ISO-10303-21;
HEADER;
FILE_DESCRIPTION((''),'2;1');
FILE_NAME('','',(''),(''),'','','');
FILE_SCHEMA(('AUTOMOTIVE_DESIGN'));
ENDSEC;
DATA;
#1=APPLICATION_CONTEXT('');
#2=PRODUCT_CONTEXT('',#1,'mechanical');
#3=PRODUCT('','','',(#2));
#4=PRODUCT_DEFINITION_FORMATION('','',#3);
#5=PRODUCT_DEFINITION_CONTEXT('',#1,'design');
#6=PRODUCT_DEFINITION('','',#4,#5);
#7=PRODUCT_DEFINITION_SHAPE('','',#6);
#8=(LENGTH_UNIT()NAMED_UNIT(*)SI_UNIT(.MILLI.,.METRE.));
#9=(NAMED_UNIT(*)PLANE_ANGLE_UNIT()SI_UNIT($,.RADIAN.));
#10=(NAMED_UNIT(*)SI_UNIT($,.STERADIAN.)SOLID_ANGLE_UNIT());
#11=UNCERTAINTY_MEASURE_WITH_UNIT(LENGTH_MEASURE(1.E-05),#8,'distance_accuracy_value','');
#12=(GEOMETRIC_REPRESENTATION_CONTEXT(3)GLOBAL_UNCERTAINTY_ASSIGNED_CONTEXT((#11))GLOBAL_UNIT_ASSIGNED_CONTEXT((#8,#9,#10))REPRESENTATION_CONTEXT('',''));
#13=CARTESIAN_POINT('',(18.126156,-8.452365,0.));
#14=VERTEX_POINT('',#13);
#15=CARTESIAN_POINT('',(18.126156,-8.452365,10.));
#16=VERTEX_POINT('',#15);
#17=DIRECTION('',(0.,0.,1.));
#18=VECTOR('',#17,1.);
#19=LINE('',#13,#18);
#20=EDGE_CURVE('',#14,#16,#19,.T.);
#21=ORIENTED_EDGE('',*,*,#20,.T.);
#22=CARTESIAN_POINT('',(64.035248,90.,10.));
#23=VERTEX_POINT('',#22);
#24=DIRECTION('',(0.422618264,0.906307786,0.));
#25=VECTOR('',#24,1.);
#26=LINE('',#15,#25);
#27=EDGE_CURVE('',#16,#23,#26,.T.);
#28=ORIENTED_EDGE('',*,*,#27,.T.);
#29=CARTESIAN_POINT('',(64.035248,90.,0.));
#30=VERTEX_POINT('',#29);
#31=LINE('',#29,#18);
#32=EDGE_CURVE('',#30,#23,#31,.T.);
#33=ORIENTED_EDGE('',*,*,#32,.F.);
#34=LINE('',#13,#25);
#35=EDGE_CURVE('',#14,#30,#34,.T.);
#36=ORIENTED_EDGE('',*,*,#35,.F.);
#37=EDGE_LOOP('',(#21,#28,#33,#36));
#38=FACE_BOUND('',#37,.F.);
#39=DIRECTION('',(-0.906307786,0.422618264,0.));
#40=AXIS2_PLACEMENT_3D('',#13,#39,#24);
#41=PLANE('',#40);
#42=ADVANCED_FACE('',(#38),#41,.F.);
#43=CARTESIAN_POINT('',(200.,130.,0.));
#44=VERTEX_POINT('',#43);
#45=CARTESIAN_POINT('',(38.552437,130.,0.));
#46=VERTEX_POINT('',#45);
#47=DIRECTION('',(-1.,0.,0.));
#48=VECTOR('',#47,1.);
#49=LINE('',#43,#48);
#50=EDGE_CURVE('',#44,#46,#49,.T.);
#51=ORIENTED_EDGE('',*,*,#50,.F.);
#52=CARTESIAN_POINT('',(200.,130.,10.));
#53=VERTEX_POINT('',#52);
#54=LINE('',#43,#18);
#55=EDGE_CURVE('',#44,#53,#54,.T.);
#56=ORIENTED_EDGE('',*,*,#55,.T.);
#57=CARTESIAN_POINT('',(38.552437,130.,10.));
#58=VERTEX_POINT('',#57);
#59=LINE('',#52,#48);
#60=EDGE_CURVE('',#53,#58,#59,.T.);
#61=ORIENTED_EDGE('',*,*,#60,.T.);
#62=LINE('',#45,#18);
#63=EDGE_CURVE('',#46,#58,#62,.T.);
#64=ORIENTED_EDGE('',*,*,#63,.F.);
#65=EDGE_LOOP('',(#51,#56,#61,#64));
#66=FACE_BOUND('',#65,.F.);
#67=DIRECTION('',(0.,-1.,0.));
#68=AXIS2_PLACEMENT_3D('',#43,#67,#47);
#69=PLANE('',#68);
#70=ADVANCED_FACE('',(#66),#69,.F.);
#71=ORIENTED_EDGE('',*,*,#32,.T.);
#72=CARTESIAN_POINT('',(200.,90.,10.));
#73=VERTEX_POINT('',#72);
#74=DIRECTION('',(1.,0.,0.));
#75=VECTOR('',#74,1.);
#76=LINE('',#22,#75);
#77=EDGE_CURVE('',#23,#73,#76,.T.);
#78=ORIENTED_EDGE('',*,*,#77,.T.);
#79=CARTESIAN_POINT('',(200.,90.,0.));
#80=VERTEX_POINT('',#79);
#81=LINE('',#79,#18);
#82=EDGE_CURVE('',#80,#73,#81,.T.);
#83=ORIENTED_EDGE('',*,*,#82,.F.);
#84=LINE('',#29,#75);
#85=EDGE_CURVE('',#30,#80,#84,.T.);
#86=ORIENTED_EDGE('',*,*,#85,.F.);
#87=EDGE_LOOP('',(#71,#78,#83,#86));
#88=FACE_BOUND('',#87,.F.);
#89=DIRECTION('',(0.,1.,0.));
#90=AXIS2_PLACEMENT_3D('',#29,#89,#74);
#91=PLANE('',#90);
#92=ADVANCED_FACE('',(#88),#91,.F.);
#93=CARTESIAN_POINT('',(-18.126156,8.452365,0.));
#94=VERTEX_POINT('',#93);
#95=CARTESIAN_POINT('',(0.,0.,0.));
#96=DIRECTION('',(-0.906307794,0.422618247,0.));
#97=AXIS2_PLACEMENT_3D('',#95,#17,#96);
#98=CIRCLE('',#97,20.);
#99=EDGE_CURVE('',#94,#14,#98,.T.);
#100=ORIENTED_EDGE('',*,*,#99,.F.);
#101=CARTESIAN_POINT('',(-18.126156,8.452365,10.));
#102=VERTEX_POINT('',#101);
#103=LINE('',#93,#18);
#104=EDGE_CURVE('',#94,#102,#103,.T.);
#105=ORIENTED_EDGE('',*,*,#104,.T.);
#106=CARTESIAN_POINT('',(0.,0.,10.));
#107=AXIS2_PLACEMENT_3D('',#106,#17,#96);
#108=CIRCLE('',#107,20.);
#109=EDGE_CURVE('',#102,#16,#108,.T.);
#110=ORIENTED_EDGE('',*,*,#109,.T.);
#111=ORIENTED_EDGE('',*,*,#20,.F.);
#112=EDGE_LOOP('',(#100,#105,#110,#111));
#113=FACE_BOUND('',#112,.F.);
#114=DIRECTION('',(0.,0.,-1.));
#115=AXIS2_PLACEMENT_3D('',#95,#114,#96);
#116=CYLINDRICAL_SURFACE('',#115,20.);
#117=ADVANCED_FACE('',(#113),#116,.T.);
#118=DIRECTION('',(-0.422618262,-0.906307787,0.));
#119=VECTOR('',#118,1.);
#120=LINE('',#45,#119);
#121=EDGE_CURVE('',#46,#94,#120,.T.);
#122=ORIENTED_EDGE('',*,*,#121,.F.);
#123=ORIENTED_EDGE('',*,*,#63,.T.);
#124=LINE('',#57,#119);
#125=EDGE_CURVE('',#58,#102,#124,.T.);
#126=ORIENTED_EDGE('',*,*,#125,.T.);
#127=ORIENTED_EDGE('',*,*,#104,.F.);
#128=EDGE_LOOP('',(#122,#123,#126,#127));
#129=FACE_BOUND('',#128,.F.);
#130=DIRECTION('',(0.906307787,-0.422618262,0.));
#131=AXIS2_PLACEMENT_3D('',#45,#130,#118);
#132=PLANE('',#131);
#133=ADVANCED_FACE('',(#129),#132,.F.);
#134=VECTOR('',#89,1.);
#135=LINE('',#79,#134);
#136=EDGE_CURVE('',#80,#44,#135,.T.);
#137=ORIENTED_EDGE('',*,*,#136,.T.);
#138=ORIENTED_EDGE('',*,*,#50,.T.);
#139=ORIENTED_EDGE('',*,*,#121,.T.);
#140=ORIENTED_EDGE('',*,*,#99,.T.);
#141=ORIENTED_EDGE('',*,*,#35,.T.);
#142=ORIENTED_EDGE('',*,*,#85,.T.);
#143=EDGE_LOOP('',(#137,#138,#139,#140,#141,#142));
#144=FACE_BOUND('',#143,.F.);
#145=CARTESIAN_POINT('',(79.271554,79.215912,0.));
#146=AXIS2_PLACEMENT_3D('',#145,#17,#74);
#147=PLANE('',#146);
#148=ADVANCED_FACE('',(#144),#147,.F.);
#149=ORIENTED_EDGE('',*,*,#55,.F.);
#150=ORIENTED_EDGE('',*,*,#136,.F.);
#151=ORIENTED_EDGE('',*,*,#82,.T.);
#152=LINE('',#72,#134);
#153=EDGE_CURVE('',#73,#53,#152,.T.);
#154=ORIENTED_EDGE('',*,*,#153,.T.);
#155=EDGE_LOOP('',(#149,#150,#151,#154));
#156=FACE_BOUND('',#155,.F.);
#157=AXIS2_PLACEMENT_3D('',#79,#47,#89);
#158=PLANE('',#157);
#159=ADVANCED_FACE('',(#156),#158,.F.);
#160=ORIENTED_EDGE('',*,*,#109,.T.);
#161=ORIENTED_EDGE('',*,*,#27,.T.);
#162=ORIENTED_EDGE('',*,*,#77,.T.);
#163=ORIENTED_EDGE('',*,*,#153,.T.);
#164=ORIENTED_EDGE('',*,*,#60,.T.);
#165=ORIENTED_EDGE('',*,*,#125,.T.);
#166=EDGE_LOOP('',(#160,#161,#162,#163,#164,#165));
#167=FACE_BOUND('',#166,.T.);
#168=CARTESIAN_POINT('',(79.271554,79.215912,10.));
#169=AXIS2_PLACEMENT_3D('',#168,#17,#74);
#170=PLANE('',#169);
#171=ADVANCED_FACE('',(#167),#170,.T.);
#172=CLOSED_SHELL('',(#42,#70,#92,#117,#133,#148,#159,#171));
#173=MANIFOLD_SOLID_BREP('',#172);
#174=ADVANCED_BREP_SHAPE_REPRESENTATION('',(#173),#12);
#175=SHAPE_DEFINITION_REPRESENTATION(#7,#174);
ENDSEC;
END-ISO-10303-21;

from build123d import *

# Parameters (mm, degrees)
F1_DEPTH = 10


with BuildPart() as f1:
    # F0 (on Top) → F1 (new body)
    with BuildSketch(Plane.XY):
        with BuildLine():
            Line((38.552437, 130), (-18.126156, 8.452365))
            ThreePointArc((-18.126156, 8.452365), (-8.452365, -18.126156), (18.126156, -8.452365))
            Line((18.126156, -8.452365), (64.035248, 90))
            Line((64.035248, 90), (200, 90))
            Line((200, 90), (200, 130))
            Line((200, 130), (38.552437, 130))
        make_face()
    extrude(amount=F1_DEPTH)


solid = f1.part
